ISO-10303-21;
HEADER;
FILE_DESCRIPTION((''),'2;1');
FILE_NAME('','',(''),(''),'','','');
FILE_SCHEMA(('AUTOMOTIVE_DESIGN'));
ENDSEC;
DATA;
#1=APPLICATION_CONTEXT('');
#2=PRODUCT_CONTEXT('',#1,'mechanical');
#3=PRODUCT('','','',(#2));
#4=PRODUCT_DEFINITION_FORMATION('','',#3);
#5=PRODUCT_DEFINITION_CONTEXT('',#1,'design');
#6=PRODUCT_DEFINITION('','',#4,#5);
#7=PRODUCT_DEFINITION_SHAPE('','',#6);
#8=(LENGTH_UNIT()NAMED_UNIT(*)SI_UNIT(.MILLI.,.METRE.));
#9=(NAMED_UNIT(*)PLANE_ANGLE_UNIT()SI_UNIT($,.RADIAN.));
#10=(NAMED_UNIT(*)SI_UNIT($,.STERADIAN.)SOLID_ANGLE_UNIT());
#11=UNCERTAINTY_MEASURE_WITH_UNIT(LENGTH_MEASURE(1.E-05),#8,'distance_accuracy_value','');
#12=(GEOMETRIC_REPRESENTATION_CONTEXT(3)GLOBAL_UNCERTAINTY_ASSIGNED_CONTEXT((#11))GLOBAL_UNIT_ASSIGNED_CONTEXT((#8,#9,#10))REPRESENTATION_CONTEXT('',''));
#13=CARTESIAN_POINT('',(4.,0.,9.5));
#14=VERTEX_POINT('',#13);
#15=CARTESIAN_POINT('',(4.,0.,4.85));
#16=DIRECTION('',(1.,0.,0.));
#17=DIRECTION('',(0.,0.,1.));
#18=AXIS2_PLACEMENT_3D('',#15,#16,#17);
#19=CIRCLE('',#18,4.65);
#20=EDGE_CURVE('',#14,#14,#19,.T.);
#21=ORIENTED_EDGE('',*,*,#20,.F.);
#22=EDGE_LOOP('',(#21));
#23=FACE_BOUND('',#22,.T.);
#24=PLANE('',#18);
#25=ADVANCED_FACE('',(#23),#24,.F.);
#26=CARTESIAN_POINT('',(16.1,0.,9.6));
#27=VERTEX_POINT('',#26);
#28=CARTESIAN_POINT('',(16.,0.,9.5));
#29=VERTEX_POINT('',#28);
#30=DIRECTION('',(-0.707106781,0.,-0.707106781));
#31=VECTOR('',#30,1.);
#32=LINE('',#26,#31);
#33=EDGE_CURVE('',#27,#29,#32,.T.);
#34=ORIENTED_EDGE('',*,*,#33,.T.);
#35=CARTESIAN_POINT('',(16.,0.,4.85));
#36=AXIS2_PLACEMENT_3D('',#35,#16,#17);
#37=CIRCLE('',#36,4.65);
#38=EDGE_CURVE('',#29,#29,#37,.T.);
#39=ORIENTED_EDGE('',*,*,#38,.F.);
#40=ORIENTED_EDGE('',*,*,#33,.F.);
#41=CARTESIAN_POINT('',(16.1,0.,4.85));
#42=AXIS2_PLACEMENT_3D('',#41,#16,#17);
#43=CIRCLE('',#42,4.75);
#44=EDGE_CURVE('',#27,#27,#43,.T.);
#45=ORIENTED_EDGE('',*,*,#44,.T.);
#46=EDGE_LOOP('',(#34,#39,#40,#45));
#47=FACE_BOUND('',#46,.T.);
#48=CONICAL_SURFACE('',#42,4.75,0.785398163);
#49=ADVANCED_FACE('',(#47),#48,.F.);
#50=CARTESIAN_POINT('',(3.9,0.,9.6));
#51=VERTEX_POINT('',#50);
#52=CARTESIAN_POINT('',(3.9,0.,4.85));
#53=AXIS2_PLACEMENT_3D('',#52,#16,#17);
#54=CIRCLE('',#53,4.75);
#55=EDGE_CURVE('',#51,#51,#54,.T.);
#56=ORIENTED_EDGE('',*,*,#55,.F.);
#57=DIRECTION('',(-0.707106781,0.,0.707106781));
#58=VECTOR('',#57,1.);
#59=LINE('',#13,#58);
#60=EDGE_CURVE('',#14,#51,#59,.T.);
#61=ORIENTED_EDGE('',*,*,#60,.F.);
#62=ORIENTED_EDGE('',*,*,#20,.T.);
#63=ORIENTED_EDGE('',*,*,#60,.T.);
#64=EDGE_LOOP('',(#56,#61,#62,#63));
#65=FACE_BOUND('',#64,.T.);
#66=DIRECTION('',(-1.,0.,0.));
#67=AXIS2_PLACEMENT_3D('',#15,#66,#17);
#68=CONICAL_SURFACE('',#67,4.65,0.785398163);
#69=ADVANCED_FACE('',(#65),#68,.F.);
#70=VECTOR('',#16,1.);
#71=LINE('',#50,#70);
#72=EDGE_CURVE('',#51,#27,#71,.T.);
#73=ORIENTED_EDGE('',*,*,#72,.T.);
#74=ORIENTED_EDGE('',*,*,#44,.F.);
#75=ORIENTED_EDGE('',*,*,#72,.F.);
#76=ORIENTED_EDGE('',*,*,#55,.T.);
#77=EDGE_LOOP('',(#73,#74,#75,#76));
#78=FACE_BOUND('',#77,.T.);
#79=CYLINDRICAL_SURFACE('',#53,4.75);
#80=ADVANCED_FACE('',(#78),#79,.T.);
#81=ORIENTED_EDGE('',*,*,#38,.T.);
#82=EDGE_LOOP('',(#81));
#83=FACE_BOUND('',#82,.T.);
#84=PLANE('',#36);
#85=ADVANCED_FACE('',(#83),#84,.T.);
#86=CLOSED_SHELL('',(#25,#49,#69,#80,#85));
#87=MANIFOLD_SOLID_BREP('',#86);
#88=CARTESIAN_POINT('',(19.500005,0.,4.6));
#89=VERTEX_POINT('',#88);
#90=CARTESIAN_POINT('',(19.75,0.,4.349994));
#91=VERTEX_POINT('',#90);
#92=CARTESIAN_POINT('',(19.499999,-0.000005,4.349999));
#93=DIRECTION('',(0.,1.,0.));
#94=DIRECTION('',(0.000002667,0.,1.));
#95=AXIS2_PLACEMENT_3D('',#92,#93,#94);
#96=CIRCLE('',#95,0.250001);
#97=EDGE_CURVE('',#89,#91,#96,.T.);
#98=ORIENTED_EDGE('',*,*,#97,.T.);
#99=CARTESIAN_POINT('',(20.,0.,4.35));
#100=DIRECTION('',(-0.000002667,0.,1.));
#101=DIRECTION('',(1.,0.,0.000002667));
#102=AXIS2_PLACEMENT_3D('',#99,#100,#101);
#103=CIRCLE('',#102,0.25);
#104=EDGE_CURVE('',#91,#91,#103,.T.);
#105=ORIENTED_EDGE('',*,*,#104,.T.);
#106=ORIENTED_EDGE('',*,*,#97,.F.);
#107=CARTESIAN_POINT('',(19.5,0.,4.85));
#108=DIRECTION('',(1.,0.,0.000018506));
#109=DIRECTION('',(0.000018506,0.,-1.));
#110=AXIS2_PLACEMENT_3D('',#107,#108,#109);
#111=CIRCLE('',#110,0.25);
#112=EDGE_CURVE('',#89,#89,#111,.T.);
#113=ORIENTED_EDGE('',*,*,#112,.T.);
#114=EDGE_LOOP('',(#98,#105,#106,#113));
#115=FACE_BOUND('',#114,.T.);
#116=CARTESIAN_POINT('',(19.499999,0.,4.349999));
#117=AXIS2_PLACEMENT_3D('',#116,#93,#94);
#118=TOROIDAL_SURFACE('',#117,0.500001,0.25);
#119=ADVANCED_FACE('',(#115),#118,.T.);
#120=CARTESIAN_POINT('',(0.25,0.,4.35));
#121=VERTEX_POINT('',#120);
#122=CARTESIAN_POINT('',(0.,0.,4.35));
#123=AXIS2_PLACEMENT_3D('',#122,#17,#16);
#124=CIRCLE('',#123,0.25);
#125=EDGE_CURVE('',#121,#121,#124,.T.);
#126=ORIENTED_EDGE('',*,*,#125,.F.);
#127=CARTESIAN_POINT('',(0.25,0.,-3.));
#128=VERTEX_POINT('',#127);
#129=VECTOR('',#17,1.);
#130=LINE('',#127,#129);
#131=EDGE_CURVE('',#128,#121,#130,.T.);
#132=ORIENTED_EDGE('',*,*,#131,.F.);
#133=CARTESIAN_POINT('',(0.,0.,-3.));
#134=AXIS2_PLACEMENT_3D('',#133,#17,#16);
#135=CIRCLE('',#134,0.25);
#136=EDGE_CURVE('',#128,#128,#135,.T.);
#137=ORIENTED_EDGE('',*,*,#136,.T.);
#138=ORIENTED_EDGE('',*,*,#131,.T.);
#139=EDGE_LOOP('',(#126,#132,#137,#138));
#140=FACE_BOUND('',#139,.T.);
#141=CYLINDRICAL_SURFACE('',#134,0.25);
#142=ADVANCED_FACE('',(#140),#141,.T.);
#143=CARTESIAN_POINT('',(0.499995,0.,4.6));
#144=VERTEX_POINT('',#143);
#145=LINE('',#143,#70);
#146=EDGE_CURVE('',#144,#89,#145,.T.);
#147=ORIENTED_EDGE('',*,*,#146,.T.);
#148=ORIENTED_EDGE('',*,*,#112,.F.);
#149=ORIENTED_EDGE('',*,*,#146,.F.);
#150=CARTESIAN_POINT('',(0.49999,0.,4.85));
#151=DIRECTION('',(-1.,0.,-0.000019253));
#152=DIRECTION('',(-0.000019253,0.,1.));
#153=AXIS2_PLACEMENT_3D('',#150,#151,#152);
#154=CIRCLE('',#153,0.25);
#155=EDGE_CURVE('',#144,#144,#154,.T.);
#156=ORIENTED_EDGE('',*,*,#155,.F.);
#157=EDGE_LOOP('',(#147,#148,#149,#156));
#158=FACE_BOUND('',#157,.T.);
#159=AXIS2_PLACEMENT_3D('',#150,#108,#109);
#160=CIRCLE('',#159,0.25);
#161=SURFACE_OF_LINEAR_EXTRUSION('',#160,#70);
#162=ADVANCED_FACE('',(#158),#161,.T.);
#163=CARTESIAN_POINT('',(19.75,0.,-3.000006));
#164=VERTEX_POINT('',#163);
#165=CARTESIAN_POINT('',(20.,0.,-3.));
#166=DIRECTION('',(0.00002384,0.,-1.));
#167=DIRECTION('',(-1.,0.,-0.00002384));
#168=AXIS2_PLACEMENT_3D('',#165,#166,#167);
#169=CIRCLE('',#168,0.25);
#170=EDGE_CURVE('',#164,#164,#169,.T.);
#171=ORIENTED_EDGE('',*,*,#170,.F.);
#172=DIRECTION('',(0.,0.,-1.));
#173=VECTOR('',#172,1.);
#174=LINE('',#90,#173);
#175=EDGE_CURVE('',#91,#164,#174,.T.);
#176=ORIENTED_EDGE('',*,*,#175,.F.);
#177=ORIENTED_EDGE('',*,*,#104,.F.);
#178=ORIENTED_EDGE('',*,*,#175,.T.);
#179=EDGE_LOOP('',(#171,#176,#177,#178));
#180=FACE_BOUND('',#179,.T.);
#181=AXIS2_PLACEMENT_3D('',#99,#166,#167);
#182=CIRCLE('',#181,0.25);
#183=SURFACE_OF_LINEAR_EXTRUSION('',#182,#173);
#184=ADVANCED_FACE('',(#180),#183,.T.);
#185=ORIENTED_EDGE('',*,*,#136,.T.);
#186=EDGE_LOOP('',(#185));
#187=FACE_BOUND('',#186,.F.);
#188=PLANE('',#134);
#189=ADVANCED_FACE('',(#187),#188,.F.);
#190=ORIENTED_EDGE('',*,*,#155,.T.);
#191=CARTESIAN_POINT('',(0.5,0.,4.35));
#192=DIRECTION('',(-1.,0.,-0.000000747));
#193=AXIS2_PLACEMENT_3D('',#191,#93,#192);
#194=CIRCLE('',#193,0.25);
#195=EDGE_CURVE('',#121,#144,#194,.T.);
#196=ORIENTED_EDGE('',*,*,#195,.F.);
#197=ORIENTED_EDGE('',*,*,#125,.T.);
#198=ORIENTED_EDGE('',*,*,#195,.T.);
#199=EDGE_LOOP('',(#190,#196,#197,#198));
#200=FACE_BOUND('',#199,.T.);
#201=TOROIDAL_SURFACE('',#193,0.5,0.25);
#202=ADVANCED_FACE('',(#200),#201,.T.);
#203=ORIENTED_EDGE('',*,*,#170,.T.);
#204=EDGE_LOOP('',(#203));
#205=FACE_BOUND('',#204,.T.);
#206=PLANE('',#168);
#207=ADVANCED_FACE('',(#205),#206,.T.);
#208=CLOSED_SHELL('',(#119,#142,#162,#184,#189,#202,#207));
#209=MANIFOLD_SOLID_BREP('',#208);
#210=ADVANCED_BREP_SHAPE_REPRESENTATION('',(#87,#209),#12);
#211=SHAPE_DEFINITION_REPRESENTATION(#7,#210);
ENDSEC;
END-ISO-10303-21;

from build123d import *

# Parameters (mm, degrees)
SKETCH_R = 0.25


with BuildPart() as sweep_body:
    # Sweep: sweep along a path in Sketch001
    with BuildLine(Plane.XZ) as sweep_path:
        Line((0, -3), (0, 4.35))
        ThreePointArc((0, 4.35), (0.146443, 4.70355), (0.49999, 4.85))
        Line((0.49999, 4.85), (19.5, 4.85))
        ThreePointArc((19.5, 4.85), (19.853553, 4.703553), (20, 4.35))
        Line((20, 4.35), (20, -3))
    # Sketch → Sweep (sweep)
    with BuildSketch(Plane.XY.offset(-2)):
        Circle(SKETCH_R)
    sweep(path=sweep_path.line)


with BuildPart() as revolution:
    # Sketch002 → Revolution (revolve)
    with BuildSketch(Plane.XZ):
        Polygon((3.9, 9.6), (16.1, 9.6), (16, 9.5), (16, 4.85), (4, 4.85), (4, 9.5), align=None)
    revolve(axis=Axis((7.611803, 0, 4.85), (1, 0, 0)))


solid = Compound([sweep_body.part, revolution.part])
